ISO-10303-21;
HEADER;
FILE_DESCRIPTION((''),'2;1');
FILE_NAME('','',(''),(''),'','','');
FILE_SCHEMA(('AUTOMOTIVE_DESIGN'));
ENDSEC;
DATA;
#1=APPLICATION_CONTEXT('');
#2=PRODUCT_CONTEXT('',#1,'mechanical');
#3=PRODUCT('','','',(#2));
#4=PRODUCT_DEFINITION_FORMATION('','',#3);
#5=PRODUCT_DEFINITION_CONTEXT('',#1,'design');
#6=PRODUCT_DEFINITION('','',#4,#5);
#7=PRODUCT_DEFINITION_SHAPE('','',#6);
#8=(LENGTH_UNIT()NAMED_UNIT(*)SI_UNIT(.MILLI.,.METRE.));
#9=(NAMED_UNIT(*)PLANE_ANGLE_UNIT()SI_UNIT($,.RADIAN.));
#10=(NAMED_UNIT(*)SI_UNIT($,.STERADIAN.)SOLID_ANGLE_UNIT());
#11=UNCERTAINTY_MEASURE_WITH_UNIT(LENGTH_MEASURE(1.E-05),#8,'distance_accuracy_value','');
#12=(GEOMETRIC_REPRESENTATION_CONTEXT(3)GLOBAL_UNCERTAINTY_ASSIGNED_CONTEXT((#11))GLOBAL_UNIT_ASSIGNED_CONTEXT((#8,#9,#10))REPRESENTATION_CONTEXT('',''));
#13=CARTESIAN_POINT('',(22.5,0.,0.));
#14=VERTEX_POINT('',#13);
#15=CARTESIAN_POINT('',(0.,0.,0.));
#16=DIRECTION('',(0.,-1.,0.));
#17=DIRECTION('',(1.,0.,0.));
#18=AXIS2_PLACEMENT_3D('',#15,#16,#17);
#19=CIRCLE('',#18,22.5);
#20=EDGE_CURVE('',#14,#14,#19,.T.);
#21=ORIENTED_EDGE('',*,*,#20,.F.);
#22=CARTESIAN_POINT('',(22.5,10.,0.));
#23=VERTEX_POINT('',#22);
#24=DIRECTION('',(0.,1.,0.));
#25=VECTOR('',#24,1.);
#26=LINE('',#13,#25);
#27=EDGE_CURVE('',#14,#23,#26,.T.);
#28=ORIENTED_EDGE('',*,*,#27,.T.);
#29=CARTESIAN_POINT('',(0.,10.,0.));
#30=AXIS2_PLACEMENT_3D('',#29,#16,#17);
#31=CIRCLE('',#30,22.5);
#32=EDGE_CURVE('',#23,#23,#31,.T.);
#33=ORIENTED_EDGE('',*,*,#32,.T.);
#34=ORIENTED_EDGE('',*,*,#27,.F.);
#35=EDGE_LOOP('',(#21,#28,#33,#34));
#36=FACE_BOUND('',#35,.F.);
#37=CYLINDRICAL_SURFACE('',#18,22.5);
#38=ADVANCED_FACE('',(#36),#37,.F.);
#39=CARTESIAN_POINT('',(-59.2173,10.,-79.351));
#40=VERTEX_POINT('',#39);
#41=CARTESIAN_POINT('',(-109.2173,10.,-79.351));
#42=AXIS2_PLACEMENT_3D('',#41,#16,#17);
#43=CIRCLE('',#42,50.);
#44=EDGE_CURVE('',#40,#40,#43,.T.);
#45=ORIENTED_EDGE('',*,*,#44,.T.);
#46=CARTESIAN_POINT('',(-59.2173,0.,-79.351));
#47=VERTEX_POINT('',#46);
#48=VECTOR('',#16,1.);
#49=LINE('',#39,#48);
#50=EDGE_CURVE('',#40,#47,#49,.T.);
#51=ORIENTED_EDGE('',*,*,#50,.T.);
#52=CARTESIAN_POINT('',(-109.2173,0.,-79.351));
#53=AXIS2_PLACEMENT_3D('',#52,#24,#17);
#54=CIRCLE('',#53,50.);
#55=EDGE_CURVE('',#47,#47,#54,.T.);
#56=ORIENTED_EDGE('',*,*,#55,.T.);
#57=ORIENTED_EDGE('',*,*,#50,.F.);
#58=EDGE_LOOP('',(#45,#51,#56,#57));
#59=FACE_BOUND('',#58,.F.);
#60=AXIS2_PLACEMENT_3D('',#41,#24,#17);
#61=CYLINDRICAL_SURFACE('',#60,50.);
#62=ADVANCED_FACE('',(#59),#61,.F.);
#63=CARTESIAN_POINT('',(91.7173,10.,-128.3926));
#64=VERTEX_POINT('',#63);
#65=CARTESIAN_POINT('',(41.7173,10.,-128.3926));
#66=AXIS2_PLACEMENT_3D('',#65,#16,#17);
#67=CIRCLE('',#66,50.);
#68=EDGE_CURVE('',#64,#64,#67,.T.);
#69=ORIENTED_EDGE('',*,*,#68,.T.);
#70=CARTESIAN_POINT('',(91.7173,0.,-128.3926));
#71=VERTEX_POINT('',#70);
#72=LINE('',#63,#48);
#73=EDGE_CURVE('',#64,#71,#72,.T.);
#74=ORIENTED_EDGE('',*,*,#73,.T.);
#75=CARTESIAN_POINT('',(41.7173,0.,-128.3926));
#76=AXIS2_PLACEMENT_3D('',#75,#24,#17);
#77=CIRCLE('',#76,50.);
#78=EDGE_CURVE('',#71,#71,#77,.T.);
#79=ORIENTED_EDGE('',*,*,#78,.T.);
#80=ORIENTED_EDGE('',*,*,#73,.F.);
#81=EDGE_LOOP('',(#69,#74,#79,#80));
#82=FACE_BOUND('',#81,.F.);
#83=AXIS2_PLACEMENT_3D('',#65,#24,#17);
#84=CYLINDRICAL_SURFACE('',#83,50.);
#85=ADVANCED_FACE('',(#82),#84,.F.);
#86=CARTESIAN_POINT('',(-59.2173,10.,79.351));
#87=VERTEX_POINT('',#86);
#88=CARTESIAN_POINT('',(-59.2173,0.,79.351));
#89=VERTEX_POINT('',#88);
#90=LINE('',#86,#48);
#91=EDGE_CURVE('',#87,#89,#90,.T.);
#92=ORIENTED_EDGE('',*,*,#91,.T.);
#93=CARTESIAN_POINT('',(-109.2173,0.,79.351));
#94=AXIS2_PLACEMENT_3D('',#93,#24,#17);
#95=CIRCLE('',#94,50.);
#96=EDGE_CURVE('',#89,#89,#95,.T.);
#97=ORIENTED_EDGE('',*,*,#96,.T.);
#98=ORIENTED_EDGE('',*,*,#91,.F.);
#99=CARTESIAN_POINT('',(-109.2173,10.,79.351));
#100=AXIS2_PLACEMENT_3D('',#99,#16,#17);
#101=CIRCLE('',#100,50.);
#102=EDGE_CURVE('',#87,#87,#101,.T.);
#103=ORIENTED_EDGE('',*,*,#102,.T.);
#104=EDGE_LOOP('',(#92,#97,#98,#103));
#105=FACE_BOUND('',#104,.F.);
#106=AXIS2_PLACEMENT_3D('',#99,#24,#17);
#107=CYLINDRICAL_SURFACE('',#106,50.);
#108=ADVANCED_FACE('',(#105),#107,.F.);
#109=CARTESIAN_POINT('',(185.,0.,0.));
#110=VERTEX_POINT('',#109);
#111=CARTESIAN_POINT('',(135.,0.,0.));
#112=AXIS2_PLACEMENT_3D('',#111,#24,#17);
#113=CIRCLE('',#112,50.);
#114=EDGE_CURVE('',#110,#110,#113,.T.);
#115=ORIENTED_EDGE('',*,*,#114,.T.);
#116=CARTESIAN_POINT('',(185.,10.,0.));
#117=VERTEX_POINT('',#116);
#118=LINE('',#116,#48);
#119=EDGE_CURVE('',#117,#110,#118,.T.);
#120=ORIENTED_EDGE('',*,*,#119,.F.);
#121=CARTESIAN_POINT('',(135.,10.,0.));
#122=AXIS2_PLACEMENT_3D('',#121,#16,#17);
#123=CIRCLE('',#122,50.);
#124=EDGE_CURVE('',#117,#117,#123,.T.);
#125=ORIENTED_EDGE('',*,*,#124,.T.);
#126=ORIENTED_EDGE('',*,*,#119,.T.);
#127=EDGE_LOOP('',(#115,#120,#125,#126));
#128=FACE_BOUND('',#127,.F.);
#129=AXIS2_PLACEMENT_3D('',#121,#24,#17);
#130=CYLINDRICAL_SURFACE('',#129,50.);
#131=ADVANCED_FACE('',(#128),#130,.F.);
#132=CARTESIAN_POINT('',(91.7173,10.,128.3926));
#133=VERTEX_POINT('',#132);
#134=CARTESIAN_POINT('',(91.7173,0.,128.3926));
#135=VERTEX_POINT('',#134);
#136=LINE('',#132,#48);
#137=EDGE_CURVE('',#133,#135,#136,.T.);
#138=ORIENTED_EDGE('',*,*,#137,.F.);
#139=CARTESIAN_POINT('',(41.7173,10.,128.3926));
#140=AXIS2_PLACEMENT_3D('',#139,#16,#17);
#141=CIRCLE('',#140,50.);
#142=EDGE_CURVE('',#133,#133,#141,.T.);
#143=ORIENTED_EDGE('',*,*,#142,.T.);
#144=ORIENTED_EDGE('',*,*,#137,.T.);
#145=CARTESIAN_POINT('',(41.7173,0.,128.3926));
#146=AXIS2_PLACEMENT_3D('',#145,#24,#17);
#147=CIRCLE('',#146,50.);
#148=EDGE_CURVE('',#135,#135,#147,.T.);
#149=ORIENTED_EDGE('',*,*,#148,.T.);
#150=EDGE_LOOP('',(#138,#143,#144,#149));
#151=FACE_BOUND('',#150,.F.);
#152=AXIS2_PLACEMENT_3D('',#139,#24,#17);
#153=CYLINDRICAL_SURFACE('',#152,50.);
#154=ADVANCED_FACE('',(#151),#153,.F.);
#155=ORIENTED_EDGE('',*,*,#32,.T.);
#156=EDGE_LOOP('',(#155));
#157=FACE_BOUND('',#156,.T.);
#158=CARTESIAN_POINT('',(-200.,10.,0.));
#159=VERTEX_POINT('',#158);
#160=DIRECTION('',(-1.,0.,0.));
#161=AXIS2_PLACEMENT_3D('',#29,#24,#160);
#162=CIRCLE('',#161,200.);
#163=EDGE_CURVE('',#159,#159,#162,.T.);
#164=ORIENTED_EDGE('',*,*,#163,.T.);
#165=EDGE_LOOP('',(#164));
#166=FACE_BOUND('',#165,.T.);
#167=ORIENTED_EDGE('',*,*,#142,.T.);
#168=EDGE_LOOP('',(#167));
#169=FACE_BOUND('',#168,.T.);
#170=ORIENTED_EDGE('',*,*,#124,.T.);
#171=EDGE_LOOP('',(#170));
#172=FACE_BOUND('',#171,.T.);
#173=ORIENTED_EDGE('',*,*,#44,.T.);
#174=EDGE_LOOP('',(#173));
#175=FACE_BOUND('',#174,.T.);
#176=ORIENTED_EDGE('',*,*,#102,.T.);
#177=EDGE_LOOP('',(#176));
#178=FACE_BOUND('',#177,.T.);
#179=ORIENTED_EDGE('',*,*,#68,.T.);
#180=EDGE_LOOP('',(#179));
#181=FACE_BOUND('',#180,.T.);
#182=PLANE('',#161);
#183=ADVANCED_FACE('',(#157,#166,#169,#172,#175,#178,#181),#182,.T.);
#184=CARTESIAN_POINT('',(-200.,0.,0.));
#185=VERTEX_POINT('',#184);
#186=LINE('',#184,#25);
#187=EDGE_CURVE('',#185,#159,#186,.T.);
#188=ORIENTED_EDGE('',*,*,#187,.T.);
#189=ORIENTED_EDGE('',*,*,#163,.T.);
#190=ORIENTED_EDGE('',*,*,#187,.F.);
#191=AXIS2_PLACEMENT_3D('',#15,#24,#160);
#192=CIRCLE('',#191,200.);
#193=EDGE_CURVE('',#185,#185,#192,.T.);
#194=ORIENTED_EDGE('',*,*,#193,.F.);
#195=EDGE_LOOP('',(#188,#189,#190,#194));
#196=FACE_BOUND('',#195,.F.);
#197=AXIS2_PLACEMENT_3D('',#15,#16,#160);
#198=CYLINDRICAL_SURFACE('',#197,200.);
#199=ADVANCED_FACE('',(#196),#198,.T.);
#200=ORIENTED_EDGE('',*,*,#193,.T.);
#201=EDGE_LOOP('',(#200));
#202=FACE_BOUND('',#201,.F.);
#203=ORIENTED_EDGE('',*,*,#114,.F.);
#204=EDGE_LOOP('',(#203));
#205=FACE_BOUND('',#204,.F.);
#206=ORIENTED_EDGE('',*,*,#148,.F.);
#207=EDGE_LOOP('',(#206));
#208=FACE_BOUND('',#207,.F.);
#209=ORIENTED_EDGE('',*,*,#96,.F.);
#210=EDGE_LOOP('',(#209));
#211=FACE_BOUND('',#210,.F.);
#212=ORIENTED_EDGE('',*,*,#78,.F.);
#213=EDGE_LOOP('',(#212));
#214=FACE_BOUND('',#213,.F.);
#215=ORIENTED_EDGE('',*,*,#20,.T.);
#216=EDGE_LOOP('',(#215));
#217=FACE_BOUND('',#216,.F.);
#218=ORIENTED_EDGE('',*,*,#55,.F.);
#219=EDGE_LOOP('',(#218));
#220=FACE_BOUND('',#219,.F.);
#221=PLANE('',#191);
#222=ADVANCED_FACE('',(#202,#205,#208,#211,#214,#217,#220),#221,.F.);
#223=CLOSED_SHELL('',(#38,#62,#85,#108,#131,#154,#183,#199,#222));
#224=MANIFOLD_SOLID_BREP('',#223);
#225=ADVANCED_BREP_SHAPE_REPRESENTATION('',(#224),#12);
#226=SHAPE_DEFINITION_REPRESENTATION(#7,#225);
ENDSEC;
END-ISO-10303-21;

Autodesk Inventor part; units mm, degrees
ref_plane "YZ Plane" through (0, 0, 0) normal (1, 0, 0) x (0, 1, 0)
ref_plane "XZ Plane" through (0, 0, 0) normal (0, 1, 0) x (-1, 0, 0)
ref_plane "XY Plane" through (0, 0, 0) normal (0, 0, 1) x (1, 0, 0)
sketch "Skizze1" plane through (0, 0, 0) normal (0, 1, 0) x (-1, 0, 0)
  circle A0 centre (0, 0) radius 200
  dimension "d0" = 400
extrude "Extrusion1" add sketch "Skizze1" along normal blind 10
sketch "Skizze2" plane through (0, 10, 0) normal (0, 1, 0) x (1, 0, 0)
  circle A0 centre (0, 0) radius 200 projected
  line L0 (0, 0) -> (200, 0) construction
  line L1 (0, 0) -> (61.8034, 190.2113)
  line L2 (0, 0) -> (200, 0) construction
  line L3 (0, 0) -> (-161.8034, 117.5571)
  line L4 (0, 0) -> (200, 0) construction
  line L5 (0, 0) -> (61.8034, -190.2113)
  line L6 (0, 0) -> (-161.8034, -117.5571)
  line L7 (0, 0) -> (200, 0)
  line L8 (200, 0) -> (100, 0)
  line L9 (0, 0) -> (30.9017, -95.1057)
  line L10 (200, 0) -> (135, 0)
  circle A1 centre (135, 0) radius 50
  line L11 (61.8034, -190.2113) -> (41.7173, -128.3926)
  circle A2 centre (41.7173, -128.3926) radius 50
  line L12 (-161.8034, -117.5571) -> (-109.2173, -79.351)
  circle A3 centre (-109.2173, -79.351) radius 50
  line L13 (-161.8034, 117.5571) -> (-109.2173, 79.351)
  circle A4 centre (-109.2173, 79.351) radius 50
  line L14 (61.8034, 190.2113) -> (41.7173, 128.3926)
  circle A5 centre (41.7173, 128.3926) radius 50
  dimension "d4" = 72
  dimension "d5" = 144
  dimension "d9" = 65
  dimension "d10" = 100
  dimension "d11" = 65
  dimension "d12" = 100
  dimension "d13" = 65
  dimension "d14" = 100
  dimension "d15" = 65
  dimension "d16" = 100
  dimension "d17" = 65
  dimension "d18" = 100
extrude "Extrusion4" cut sketch "Skizze2" against normal blind 10 contours A1 L7 | L7 A1 | A5 L1 | L1 A5 | A2 L5 | L5 A2 | A4 L3 | L3 A4 | A3 L6 | L6 A3
sketch "Skizze5" plane through (0, 0, 0) normal (0, -1, 0) x (1, 0, 0)
  circle A0 centre (0, 0) radius 22.5
  dimension "d27" = 45
extrude "Extrusion5" cut sketch "Skizze5" against normal blind 10
properties part number "Drehplatte_Rahmenvorrrichtung"
